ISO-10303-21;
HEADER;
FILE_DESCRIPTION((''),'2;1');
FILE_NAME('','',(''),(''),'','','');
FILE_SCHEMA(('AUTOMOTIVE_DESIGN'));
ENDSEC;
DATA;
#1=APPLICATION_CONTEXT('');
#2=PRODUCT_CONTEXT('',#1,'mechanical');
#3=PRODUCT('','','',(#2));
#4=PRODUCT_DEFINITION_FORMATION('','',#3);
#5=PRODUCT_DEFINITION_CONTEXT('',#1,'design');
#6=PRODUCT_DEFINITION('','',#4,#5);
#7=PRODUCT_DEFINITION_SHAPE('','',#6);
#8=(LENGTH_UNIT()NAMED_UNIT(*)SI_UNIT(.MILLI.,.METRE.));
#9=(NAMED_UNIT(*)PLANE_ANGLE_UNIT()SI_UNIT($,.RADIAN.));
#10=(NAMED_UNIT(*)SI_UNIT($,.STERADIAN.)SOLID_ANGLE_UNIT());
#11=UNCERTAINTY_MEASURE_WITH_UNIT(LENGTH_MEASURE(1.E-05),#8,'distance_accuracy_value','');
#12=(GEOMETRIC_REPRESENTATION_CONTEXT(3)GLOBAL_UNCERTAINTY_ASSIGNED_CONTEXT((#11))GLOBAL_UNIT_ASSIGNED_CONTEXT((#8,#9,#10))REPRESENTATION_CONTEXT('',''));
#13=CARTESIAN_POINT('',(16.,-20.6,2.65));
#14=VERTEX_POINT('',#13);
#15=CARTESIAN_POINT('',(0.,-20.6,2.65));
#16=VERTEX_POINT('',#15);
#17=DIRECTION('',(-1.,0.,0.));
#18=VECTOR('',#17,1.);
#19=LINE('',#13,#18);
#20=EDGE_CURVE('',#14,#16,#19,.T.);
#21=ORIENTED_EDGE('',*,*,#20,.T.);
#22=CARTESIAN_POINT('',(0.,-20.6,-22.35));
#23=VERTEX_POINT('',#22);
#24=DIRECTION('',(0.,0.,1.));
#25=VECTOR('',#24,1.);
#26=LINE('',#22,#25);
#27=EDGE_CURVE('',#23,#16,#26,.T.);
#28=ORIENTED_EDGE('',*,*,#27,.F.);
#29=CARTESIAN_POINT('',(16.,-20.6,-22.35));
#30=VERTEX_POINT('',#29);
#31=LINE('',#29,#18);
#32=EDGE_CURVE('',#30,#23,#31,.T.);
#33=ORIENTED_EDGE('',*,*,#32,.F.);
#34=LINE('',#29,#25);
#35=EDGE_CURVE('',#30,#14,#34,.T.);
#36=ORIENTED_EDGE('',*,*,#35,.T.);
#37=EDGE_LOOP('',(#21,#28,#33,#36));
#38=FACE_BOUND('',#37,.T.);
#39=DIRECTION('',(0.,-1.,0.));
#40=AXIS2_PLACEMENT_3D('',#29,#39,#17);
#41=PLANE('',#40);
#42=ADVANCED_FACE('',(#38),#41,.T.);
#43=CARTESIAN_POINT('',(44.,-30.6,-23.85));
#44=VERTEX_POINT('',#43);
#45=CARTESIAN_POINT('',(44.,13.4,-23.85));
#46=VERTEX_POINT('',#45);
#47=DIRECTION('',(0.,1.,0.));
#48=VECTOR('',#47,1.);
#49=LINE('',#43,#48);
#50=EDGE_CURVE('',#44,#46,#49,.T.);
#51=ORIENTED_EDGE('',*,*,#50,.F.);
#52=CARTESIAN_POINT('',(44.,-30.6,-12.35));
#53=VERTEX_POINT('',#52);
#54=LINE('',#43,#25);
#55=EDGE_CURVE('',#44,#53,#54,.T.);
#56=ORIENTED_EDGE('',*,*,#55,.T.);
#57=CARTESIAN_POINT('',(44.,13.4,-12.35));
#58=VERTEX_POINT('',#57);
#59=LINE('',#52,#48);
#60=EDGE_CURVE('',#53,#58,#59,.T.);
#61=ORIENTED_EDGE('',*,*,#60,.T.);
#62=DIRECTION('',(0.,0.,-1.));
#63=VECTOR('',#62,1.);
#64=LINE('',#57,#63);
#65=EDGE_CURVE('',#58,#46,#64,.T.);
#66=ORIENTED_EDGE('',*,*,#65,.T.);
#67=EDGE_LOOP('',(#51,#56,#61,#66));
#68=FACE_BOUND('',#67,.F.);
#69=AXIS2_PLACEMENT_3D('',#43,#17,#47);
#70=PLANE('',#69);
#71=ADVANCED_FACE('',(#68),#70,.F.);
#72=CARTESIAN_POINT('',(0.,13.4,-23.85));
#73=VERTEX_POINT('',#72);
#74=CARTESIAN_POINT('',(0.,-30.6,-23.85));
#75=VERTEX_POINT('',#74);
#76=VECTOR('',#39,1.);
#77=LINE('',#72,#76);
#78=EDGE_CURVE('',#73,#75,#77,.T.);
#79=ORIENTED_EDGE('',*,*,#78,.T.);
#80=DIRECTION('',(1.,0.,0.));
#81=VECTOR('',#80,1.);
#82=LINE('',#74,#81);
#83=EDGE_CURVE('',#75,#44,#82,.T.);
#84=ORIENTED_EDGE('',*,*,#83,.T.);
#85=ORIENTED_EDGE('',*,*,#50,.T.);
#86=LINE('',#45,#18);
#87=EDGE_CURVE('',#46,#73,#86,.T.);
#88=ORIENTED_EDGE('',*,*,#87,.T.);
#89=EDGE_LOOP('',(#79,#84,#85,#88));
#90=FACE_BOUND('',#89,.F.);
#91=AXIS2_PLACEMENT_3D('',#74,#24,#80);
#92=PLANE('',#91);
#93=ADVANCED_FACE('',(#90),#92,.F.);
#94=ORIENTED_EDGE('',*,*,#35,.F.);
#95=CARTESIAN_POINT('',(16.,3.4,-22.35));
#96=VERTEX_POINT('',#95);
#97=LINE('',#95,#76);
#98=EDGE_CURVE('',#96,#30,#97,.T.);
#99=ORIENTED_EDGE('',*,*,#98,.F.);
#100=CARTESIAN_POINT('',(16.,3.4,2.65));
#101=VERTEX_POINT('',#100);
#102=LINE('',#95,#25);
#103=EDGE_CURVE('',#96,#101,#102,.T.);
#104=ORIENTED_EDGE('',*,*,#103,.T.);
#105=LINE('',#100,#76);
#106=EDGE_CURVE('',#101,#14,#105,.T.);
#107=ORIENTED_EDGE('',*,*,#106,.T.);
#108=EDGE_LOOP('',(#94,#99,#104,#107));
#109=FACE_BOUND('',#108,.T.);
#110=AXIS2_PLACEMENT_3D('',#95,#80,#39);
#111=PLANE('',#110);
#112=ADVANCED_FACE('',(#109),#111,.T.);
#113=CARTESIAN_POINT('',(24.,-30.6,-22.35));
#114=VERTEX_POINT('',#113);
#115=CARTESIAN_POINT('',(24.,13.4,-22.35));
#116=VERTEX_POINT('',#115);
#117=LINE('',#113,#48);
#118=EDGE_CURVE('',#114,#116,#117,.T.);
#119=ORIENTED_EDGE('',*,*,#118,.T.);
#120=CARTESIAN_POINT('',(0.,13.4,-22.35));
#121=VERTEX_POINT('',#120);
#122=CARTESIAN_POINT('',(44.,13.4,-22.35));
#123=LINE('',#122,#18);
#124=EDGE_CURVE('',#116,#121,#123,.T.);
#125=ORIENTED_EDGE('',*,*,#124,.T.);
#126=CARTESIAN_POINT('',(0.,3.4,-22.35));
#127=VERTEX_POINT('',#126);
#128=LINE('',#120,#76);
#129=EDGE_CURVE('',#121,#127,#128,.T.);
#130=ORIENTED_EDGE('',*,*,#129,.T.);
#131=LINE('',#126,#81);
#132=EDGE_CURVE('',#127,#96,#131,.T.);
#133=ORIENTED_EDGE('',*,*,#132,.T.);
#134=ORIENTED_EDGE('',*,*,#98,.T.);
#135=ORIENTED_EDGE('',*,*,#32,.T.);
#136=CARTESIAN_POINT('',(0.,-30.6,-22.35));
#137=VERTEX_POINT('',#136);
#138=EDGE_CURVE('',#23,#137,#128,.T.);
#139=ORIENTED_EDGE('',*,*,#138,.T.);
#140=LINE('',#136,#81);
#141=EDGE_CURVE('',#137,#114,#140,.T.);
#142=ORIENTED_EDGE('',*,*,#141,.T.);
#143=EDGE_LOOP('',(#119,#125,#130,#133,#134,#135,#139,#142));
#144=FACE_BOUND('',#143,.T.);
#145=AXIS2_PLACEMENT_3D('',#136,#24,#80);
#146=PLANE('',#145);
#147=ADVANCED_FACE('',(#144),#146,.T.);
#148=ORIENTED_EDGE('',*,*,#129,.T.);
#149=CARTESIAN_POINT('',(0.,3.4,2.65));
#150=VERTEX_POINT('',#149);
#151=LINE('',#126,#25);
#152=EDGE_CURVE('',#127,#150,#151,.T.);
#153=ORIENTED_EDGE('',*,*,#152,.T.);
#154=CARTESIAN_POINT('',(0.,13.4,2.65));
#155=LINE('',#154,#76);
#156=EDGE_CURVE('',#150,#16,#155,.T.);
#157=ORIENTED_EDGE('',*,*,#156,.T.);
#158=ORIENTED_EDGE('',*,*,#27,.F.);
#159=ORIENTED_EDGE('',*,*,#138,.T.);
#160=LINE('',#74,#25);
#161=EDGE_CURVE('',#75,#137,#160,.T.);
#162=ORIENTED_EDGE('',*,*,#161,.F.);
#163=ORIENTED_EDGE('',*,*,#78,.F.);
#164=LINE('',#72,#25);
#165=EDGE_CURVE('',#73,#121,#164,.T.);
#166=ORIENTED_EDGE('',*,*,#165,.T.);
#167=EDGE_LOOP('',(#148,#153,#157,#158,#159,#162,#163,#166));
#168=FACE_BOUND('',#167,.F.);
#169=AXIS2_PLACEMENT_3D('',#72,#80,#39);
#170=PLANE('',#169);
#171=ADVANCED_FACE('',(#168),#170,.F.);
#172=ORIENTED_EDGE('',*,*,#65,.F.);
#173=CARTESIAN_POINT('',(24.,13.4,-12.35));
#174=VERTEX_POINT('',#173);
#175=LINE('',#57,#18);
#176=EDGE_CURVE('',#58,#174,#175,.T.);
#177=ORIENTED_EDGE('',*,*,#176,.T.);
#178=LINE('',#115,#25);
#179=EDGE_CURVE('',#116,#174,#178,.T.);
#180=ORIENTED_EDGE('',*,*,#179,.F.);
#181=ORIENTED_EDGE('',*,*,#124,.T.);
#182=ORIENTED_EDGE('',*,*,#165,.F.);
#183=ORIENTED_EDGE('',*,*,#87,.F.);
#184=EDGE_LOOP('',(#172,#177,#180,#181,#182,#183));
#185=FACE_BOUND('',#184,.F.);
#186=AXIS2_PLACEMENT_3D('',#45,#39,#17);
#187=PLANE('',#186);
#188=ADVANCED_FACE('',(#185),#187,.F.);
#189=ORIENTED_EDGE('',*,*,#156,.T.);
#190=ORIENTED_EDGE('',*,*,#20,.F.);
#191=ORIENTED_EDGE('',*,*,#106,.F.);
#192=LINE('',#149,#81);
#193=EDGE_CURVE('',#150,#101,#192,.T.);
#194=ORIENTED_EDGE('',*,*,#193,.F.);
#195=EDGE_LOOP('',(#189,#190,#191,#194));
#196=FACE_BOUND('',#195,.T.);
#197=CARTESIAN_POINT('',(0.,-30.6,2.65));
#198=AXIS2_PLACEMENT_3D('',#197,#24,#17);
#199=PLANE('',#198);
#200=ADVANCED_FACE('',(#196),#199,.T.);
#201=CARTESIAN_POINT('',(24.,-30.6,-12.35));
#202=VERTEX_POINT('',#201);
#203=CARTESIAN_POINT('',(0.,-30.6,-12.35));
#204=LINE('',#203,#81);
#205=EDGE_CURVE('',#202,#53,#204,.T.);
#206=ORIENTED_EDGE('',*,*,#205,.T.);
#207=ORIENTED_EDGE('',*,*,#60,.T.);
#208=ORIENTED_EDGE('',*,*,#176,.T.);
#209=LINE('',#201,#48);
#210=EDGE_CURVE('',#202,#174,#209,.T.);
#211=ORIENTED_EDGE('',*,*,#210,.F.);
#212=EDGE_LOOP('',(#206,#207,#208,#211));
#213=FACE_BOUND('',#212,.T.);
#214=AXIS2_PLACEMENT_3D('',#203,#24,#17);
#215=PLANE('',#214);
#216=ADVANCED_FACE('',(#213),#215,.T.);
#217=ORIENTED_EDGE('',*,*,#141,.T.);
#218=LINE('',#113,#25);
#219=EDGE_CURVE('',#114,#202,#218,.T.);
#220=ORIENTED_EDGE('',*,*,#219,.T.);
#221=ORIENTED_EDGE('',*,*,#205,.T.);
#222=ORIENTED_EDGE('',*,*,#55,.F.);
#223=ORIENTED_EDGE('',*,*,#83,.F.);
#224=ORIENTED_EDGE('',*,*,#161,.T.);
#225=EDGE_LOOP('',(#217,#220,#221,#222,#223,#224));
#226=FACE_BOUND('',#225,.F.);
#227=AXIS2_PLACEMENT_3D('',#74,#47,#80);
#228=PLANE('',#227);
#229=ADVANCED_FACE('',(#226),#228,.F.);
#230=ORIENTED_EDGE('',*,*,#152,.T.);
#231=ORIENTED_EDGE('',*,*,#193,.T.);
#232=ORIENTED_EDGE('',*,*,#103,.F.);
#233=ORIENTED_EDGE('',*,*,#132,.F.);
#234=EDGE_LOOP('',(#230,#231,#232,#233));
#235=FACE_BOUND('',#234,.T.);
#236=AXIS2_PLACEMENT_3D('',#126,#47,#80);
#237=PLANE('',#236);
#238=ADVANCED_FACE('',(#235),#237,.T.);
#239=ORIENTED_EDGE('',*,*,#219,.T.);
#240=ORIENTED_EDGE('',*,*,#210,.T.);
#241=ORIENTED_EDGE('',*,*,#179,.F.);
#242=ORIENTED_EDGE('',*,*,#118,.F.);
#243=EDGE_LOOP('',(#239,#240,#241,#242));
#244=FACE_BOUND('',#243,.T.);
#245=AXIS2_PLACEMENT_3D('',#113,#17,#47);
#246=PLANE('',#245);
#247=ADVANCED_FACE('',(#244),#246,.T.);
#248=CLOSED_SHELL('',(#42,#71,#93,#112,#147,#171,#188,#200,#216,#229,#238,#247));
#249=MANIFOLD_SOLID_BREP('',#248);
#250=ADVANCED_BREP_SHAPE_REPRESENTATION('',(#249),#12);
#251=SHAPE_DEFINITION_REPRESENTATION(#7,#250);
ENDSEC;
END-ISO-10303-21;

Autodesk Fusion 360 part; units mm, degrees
sketch "Esquisse1" plane through (0, 0, 0) normal (0, 0, 1) x (1, 0, 0)
  line L0 (0, 0) -> (4.4, 0)
  line L1 (4.4, 0) -> (4.4, 4.4)
  line L2 (4.4, 4.4) -> (0, 4.4)
  line L3 (0, 4.4) -> (0, 0)
  dimension "d1" = 4.4
  dimension "d2" = 4.4
extrude "Extrusion1" add sketch "Esquisse1" along normal blind 0.15
sketch "Esquisse2" plane through (0, 0, 0.15) normal (0, 0, 1) x (-1, 0, 0)
  line L0 (0, -4.4) -> (0, 0)
  line L1 (0, 0) -> (-4.4, 0)
  line L2 (-4.4, 0) -> (-4.4, -4.4)
  line L3 (-4.4, -4.4) -> (0, -4.4)
  line L4 (-4.4, 0) -> (-2.4, 0)
  line L5 (-2.4, 0) -> (-2.4, -4.4)
  line L6 (-2.4, -4.4) -> (-4.4, -4.4)
  line L7 (-4.4, -4.4) -> (-4.4, 0)
  dimension "d5" = 2
extrude "Extrusion2" add sketch "Esquisse2" along normal blind 1 contours L1 L2 L3 L4 L5 L6 L7
sketch "Esquisse3" plane through (0, 0, 0.15) normal (0, 0, 1) x (-1, 0, 0)
  line L0 (-2.4, 0) -> (-2.4, -4.4)
  line L1 (-2.4, -4.4) -> (0, -4.4)
  line L2 (0, -4.4) -> (0, 0)
  line L3 (0, 0) -> (-2.4, 0)
  line L4 (0, -3.4) -> (-1.6, -3.4)
  line L5 (-1.6, -3.4) -> (-1.6, -1)
  line L6 (-1.6, -1) -> (0, -1)
  line L7 (0, -1) -> (0, -3.4)
  dimension "d8" = 1.6
  dimension "d9" = 2.4
  dimension "d11" = 1
extrude "Extrusion3" add sketch "Esquisse3" along normal blind 2.5 contours L2 L4 L5 L6 L7
scale "Echelle1" factor 10 about (0, 3.4, 2.65) bodies 1
